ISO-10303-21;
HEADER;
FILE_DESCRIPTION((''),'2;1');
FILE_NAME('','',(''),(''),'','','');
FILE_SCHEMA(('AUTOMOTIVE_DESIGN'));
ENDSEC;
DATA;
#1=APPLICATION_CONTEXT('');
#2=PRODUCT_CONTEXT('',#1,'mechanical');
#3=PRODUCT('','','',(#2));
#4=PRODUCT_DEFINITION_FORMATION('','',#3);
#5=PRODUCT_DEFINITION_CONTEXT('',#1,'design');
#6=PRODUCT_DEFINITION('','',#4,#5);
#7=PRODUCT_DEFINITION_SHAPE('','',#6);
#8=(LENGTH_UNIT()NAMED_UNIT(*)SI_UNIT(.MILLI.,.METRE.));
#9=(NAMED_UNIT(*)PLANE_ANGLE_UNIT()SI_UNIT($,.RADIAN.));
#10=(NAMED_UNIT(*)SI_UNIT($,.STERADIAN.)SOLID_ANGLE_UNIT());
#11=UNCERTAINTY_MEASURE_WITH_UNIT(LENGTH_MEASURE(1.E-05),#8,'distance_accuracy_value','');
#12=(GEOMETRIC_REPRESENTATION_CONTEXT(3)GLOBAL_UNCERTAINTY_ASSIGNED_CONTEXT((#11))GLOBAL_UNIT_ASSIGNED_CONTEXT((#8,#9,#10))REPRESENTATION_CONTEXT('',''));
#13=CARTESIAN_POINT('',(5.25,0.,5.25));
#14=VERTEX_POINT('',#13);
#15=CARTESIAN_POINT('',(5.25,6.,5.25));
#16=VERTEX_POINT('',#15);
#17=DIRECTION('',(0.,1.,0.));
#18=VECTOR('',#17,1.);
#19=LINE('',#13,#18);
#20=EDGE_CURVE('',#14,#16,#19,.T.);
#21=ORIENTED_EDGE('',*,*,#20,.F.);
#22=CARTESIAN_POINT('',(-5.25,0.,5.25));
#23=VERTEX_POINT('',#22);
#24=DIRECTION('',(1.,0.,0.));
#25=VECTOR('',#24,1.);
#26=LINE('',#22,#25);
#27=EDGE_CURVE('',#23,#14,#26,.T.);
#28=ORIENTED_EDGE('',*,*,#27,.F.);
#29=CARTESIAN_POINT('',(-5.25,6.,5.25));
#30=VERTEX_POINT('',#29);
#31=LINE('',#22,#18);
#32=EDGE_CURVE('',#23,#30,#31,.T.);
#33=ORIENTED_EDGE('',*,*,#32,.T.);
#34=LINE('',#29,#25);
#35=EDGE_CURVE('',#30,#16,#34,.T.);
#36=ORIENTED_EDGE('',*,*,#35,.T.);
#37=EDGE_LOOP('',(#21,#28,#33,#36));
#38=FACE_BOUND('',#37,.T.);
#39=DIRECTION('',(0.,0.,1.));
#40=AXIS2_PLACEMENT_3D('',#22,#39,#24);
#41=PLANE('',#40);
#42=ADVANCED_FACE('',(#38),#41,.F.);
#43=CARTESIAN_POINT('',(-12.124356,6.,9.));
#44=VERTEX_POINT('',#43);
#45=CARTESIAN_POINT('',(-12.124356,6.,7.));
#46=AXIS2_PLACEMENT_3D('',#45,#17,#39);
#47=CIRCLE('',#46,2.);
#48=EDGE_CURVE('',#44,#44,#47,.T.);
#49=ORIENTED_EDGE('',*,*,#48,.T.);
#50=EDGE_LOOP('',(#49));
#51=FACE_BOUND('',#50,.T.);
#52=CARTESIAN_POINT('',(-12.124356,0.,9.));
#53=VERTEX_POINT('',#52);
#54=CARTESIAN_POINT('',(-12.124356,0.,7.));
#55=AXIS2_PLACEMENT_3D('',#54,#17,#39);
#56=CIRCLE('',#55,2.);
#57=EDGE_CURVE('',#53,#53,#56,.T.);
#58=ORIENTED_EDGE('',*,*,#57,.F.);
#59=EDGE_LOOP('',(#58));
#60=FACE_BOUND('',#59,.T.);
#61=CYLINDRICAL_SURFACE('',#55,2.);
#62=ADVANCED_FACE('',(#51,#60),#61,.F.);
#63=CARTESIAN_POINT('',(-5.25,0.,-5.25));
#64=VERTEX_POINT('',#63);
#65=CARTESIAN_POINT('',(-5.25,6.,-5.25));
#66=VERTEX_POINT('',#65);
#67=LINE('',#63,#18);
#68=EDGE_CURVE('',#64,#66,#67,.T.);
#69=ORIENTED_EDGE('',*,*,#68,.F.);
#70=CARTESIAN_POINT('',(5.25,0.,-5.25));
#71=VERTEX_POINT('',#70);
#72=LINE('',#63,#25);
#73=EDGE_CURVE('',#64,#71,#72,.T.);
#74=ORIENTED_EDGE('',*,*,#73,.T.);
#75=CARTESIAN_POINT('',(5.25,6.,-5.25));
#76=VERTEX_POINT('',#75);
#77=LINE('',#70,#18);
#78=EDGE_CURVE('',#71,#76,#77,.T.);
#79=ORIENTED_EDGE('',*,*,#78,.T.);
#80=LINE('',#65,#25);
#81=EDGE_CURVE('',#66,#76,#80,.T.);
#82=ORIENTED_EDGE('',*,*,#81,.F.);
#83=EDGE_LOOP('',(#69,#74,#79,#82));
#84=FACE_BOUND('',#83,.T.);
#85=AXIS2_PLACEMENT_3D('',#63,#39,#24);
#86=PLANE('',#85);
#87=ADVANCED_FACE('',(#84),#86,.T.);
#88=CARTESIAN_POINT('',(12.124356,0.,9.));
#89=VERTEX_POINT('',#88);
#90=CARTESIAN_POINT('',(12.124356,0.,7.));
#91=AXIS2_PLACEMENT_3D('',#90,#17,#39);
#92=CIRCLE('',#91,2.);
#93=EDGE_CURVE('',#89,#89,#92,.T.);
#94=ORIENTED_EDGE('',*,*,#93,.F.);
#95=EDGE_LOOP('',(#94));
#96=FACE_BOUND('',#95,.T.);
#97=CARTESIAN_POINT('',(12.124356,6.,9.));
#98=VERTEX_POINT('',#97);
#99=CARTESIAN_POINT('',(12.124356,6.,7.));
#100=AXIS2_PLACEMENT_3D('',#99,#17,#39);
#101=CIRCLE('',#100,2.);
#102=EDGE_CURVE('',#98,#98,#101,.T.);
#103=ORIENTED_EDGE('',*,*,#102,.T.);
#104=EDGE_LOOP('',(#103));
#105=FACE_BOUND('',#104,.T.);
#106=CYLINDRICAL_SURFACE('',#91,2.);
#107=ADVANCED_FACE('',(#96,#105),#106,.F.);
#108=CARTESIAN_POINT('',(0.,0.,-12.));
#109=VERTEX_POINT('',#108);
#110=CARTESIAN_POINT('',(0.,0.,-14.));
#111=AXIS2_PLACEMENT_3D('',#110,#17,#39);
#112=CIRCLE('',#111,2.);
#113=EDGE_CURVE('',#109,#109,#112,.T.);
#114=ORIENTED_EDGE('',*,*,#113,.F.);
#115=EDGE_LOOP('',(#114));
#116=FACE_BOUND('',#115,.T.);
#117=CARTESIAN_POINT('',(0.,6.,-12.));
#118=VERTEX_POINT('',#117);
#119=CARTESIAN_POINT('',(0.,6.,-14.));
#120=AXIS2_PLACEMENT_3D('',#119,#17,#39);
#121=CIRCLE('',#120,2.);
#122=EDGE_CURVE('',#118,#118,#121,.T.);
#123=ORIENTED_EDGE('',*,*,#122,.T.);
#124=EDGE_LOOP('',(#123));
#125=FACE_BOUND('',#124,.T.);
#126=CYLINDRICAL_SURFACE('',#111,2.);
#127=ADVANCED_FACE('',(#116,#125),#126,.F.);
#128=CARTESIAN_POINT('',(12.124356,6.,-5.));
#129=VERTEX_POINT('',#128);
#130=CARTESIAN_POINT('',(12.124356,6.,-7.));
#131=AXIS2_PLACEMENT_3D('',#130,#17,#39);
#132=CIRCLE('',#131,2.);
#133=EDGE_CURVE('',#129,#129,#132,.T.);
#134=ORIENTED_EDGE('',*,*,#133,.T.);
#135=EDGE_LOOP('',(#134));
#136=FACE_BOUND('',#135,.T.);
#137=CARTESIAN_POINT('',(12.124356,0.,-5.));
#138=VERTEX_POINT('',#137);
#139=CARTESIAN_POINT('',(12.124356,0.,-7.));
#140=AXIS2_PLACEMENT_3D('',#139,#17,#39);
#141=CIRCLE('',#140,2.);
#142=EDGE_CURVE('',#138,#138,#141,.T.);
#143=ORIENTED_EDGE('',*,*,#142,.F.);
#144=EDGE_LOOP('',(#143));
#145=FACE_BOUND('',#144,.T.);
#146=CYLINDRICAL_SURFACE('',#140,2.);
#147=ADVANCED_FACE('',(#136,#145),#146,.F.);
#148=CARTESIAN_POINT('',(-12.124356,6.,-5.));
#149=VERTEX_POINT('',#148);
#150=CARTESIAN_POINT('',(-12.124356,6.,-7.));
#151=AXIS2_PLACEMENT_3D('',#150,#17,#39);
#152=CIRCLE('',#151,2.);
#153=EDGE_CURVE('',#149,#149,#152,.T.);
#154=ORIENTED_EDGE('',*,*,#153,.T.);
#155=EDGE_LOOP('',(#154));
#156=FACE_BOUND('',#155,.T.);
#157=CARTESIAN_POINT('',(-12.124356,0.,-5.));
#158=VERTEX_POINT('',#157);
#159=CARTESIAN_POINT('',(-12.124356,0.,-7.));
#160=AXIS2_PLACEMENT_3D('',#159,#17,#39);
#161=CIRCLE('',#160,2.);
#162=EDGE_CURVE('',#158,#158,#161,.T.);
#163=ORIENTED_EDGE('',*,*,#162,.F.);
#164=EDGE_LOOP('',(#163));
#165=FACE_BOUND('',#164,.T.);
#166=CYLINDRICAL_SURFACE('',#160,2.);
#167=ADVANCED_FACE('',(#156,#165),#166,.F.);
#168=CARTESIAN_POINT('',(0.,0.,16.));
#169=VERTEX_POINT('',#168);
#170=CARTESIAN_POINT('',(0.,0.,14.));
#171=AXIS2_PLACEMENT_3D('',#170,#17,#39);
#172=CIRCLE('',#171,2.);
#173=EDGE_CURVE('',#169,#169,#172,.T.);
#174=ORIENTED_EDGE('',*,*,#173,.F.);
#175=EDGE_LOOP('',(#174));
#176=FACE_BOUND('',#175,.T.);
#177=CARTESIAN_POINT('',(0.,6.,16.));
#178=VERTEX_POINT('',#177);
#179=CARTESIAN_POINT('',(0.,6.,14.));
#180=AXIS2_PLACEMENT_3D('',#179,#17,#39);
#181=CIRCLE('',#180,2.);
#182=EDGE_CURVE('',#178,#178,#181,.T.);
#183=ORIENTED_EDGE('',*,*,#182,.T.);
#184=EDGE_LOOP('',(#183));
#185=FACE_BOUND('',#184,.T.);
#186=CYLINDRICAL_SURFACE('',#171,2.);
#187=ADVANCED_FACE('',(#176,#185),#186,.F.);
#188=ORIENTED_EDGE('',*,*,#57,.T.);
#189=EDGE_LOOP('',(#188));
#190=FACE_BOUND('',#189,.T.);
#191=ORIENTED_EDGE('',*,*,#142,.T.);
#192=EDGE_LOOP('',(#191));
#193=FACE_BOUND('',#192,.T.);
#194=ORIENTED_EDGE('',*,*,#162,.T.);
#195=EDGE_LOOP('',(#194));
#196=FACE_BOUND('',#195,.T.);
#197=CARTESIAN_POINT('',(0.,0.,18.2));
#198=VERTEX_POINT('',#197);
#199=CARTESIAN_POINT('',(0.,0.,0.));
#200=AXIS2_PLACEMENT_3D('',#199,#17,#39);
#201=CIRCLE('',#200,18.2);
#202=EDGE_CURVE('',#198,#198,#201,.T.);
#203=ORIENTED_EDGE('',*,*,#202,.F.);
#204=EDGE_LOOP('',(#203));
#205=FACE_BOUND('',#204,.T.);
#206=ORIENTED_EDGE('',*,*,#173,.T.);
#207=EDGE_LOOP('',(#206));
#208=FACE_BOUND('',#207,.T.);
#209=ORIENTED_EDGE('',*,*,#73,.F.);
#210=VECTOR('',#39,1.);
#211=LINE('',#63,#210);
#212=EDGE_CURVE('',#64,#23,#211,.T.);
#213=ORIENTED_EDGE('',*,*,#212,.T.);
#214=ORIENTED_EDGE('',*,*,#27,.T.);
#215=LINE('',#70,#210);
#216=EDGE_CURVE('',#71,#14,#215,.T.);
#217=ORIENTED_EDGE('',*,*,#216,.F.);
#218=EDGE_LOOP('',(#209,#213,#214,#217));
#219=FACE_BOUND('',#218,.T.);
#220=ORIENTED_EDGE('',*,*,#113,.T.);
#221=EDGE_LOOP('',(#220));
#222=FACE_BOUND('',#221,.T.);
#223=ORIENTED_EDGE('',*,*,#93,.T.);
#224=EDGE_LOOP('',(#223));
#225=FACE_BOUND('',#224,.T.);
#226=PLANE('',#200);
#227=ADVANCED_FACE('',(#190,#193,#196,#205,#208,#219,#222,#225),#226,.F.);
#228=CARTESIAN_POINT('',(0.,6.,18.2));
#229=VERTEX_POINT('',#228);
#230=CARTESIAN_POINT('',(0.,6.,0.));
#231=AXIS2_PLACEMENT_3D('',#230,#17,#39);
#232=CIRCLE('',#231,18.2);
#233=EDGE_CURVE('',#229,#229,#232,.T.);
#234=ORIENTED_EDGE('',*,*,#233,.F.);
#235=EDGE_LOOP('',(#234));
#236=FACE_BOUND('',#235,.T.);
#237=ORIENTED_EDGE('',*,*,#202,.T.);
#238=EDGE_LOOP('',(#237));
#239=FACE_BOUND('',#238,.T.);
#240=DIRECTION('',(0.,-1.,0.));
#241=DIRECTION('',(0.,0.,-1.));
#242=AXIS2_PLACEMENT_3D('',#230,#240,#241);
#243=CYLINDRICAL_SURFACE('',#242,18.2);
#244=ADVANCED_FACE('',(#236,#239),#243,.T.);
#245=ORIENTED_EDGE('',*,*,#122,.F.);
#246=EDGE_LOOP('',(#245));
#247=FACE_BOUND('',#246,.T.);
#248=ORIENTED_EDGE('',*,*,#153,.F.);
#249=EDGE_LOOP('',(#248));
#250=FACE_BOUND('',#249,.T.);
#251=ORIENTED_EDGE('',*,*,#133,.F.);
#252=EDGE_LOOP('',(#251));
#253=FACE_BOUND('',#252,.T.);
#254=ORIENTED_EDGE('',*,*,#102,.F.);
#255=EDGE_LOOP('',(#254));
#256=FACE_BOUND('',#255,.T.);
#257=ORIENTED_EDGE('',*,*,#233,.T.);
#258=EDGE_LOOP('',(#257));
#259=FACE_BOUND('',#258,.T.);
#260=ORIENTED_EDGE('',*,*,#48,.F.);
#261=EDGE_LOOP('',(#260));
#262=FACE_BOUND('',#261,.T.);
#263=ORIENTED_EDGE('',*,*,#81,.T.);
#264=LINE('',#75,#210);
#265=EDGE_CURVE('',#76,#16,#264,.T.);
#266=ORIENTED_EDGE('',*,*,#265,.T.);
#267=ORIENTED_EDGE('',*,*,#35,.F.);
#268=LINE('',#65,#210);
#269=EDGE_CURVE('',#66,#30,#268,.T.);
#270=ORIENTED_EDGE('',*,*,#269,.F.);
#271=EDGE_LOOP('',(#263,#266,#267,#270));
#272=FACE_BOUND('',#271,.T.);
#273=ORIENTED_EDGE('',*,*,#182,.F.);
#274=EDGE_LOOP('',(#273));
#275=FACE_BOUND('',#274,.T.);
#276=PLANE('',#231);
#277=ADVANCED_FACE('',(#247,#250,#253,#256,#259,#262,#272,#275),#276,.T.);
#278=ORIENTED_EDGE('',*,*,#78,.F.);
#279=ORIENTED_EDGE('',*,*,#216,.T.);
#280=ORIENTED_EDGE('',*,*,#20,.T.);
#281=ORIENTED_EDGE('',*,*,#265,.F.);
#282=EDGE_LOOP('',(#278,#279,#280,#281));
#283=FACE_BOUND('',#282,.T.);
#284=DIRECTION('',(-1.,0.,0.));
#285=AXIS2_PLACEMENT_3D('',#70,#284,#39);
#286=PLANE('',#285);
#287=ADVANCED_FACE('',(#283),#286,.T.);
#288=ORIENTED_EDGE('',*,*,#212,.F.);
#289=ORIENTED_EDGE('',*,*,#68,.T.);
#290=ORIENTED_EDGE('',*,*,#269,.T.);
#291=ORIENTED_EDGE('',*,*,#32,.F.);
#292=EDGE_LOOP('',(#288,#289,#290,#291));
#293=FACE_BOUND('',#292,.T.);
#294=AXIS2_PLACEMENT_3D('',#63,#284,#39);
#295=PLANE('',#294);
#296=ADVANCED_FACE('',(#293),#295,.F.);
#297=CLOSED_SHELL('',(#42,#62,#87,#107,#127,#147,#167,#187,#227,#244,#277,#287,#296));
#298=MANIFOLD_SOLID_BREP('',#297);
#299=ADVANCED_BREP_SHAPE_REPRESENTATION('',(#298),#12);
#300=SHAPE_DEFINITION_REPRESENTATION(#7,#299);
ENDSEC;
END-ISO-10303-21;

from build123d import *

# Parameters (mm, degrees)
SKETCH1_R           = 18.2
BOSS_EXTRUDE1_DEPTH = 6
SKETCH2_R           = 2
CUT_EXTRUDE1_DEPTH  = 6
SKETCH3_W           = 10.5
SKETCH3_H           = 10.5
CUT_EXTRUDE2_DEPTH  = 6


with BuildPart() as part:
    # Sketch1 → Boss-Extrude1 (new body)
    with BuildSketch(Plane(origin=(0, 0, 0), x_dir=(1, 0, 0), z_dir=(0, 1, 0))):
        Circle(SKETCH1_R)
    extrude(amount=BOSS_EXTRUDE1_DEPTH)

    # Sketch2 → Cut-Extrude1 (cut)
    with BuildSketch(Plane(origin=(0, 6, 0), x_dir=(1, 0, 0), z_dir=(0, 1, 0))):
        with Locations((0, 14)):
            Circle(SKETCH2_R)
        with Locations((12.124355653, 7)):
            Circle(SKETCH2_R)
        with Locations((12.124355653, -7)):
            Circle(SKETCH2_R)
        with Locations((0, -14)):
            Circle(SKETCH2_R)
        with Locations((-12.124355653, -7)):
            Circle(SKETCH2_R)
        with Locations((-12.124355653, 7)):
            Circle(SKETCH2_R)
    extrude(amount=-CUT_EXTRUDE1_DEPTH, mode=Mode.SUBTRACT)

    # Sketch3 → Cut-Extrude2 (cut)
    with BuildSketch(Plane(origin=(0, 6, 0), x_dir=(1, 0, 0), z_dir=(0, 1, 0))):
        Rectangle(SKETCH3_W, SKETCH3_H)
    extrude(amount=-CUT_EXTRUDE2_DEPTH, mode=Mode.SUBTRACT)


solid = part.part
